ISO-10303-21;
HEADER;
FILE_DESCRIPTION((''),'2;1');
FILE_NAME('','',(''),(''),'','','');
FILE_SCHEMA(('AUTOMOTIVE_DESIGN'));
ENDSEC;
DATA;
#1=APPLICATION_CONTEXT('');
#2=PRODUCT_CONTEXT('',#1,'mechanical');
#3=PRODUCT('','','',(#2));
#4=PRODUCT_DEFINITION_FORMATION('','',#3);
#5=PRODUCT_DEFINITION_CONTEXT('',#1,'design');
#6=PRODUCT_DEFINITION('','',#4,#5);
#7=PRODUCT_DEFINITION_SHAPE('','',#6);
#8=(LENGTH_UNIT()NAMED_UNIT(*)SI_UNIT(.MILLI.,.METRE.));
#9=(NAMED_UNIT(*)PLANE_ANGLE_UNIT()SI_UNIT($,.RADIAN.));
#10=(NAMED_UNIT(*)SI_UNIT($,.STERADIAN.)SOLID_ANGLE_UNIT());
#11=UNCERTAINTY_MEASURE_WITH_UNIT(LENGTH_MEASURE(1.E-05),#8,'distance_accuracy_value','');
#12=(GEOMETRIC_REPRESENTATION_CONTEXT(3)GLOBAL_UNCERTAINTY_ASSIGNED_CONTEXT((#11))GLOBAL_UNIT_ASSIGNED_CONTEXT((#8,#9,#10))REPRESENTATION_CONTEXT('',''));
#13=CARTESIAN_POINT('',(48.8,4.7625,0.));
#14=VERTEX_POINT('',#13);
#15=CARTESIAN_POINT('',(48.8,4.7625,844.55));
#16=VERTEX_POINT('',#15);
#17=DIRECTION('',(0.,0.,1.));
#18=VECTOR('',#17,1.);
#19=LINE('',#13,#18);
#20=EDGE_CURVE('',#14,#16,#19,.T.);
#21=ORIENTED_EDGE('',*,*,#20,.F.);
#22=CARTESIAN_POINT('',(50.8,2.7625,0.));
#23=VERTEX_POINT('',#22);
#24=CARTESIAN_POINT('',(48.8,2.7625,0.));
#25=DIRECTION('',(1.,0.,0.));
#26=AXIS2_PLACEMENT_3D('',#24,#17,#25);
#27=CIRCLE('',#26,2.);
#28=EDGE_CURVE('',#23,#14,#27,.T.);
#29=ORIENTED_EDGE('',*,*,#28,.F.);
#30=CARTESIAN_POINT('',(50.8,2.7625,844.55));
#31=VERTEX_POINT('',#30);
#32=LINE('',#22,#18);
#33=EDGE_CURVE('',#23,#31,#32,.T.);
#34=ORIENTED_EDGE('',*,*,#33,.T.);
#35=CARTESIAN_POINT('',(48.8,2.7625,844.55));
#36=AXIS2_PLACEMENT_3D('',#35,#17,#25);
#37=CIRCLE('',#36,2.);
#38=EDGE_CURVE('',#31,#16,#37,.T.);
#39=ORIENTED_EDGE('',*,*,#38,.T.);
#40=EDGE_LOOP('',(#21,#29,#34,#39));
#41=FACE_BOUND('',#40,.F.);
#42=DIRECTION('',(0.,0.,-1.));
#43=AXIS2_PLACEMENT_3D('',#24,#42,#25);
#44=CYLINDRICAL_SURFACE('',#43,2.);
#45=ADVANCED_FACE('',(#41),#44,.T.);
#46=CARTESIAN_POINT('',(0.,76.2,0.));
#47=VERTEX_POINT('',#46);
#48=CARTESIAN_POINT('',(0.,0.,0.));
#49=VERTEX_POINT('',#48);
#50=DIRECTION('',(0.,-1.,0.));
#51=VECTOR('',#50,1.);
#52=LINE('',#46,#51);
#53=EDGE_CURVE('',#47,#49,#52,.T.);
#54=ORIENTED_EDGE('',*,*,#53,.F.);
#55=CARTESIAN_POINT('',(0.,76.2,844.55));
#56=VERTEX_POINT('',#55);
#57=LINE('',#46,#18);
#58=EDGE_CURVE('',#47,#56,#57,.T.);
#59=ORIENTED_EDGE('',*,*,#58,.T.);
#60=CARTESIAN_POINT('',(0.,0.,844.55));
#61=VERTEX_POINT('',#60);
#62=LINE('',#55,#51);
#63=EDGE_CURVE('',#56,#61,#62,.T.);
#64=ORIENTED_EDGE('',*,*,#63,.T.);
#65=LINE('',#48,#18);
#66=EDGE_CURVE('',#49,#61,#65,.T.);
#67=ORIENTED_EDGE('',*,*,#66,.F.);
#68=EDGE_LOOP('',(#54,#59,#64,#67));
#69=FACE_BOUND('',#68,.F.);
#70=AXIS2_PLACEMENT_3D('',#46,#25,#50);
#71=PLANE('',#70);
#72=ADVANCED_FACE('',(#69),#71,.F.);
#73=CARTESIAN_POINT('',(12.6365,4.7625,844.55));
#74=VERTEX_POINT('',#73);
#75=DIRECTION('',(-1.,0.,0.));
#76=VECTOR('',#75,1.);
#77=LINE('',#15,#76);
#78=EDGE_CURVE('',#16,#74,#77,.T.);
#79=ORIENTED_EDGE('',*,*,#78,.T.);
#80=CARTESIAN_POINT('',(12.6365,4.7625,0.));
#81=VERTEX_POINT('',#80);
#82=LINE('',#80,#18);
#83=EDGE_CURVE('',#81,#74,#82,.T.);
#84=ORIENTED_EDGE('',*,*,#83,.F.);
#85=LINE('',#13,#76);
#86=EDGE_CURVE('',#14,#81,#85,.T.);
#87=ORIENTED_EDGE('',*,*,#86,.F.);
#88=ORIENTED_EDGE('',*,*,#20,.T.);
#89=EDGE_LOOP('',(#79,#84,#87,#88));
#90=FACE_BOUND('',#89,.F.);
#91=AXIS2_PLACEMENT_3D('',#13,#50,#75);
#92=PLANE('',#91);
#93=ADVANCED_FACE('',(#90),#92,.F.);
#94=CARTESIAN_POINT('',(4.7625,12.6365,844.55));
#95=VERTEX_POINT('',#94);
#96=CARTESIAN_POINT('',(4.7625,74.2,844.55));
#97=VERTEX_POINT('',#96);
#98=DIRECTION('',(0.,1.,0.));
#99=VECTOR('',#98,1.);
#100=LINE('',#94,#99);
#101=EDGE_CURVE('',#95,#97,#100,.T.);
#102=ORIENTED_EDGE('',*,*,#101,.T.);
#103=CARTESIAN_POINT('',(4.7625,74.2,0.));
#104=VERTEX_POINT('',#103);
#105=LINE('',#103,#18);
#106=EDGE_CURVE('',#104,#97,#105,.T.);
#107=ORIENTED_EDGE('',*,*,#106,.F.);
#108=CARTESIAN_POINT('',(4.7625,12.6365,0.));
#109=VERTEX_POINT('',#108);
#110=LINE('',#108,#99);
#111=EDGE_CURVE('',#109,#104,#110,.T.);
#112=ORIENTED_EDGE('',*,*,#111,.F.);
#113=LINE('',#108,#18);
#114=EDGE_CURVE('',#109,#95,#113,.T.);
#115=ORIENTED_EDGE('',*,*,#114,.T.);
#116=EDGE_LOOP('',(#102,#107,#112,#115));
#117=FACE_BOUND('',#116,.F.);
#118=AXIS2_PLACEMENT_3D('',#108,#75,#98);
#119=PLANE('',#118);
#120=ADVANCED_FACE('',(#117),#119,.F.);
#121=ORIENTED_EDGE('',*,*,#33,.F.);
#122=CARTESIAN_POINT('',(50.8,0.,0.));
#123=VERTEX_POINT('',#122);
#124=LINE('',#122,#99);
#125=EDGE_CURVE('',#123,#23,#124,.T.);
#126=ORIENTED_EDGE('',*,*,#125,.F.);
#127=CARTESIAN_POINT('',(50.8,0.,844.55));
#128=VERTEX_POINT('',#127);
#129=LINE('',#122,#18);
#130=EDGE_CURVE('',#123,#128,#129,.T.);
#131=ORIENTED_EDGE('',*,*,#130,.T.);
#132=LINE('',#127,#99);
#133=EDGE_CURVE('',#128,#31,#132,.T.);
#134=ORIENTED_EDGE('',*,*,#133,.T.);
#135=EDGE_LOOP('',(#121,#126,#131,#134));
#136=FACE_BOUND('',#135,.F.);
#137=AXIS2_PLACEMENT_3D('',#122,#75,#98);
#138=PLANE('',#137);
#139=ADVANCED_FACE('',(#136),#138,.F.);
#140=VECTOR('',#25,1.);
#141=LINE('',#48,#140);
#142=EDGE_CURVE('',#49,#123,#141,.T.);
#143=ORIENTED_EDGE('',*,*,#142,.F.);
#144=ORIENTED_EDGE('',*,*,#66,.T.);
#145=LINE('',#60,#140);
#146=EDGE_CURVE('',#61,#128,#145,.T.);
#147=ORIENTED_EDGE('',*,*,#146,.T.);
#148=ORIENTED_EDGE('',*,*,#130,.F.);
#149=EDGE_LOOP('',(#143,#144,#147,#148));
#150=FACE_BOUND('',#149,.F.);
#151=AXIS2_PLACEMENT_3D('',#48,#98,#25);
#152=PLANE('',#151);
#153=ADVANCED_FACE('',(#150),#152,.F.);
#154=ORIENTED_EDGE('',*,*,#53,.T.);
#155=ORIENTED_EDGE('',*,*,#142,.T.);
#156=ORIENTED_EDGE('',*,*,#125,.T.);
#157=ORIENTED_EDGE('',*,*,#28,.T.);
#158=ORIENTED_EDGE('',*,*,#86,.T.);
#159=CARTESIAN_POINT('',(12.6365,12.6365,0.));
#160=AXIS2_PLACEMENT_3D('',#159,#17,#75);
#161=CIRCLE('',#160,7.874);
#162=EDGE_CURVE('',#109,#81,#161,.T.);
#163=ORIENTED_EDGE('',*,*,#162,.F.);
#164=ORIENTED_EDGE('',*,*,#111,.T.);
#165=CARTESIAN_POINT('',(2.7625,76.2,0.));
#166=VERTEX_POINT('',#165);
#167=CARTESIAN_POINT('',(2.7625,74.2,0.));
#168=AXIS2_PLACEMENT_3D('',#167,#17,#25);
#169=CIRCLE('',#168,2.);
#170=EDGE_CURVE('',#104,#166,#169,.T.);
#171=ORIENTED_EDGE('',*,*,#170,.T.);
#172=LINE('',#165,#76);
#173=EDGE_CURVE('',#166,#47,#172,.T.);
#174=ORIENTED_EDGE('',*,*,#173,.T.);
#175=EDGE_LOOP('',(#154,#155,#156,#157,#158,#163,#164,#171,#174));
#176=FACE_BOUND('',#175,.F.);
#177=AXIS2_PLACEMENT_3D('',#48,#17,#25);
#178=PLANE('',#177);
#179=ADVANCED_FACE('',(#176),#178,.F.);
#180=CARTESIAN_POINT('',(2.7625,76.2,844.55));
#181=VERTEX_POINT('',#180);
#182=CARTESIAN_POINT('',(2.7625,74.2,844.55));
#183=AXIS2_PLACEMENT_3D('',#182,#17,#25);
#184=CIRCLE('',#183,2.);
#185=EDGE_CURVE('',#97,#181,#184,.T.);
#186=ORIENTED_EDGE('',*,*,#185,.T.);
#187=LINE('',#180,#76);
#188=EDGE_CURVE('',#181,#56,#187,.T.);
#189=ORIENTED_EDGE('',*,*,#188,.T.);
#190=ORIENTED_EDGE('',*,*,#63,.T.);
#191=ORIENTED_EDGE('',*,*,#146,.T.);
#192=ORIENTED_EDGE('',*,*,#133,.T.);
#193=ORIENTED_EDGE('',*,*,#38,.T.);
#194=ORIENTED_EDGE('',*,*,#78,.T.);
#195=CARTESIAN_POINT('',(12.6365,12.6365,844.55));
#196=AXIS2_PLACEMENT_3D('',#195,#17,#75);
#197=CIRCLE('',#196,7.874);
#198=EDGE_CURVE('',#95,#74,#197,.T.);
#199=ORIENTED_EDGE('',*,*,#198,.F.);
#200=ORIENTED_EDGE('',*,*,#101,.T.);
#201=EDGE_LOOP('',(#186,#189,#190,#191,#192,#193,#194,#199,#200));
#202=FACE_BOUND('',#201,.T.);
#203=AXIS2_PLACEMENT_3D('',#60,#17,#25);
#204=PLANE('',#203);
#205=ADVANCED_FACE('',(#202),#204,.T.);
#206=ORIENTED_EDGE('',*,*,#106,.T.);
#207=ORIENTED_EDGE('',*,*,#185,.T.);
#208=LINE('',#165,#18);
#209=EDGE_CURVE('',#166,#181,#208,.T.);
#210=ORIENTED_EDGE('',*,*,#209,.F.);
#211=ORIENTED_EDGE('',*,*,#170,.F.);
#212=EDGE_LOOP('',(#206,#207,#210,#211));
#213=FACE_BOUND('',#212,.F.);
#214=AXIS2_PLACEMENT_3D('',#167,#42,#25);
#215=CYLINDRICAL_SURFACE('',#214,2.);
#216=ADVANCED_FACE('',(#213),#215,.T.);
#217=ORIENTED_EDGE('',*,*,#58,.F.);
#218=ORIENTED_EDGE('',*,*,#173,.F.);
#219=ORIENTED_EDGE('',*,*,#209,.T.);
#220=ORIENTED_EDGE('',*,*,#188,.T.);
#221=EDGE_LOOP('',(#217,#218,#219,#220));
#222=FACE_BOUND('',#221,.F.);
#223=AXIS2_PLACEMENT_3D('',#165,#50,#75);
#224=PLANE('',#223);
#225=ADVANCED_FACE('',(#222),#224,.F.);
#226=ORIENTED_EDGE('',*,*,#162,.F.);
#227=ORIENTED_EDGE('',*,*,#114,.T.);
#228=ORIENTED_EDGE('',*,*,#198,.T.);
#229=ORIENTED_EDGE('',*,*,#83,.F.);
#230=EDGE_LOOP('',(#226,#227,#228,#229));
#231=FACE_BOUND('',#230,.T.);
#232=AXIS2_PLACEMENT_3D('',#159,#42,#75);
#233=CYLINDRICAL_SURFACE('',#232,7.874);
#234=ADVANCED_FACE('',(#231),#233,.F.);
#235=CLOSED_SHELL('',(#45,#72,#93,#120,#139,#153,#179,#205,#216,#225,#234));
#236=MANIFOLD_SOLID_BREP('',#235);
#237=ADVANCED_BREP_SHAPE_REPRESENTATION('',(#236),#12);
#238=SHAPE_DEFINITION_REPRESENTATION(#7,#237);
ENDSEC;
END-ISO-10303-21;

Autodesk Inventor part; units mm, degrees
ref_plane "YZ Plane" through (0, 0, 0) normal (1, 0, 0) x (0, 1, 0)
ref_plane "Start plane" through (0, 0, 0) normal (0, 0, 1) x (1, 0, 0)
ref_plane "End plane" through (0, 0, 844.55) normal (0, 0, 1) x (1, 0, 0)
sketch "Sketch" plane through (0, 0, 0) normal (0, 0, 1) x (1, 0, 0)
  line L0 (0, 76.2) -> (0, 0)
  line L1 (0, 0) -> (50.8, 0)
  line L2 (50.8, 0) -> (50.8, 2.7625)
  line L3 (48.8, 4.7625) -> (12.6365, 4.7625)
  line L4 (4.7625, 12.6365) -> (4.7625, 74.2)
  line L5 (2.7625, 76.2) -> (0, 76.2)
  line L6 (-7.0414, 0) -> (21.5385, 0) construction
  line L7 (0, -8.0414) -> (0, 34.5385) construction
  arc A0 (4.7625, 12.6365) -> (12.6365, 4.7625) centre (12.6365, 12.6365) ccw
  arc A1 (50.8, 2.7625) -> (48.8, 4.7625) centre (48.8, 2.7625) ccw
  arc A2 (4.7625, 74.2) -> (2.7625, 76.2) centre (2.7625, 74.2) ccw
  line L8 (0, 93.5453) -> (0, -24.9725) construction
  line L9 (-18.6925, 0) -> (62.8653, 0) construction
  point P0 (50.8, 4.7625)
  point P1 (4.7625, 4.7625)
  point P2 (4.7625, 76.2)
  dimension "d12" = 4.7625
  dimension "d13" = 76.2
  dimension "d14" = 50.8
  dimension "d15" = 0
  dimension "d16" = 4.7625
  dimension "d17" = 0
  dimension "d18" = 7.874
  dimension "d19" = 2
extrude "Body" add sketch "Sketch" along normal up to surface (844.55 mm away) from surface at 0
sketch "Sketch3" plane through (0, 0, 0) normal (0, 0, 1) x (1, 0, 0)
  line L0 (0, 0) -> (10, 0)
ref_plane "Work Plane3" through (0, 0, 0) normal (0, -1, 0) x (1, 0, 0)
sketch "Sketch4" plane through (0, 0, 0) normal (0, -1, 0) x (1, 0, 0)
  line L0 (-2, 0) -> (12, 0)
  line L1 (-2, 844.55) -> (12, 844.55)
  dimension "d23" = 844.55
equation "\"d12\" = G_T"
equation "\"d13\" = G_H"
equation "\"d14\" = G_W"
equation "\"d16\" = G_T"
equation "\"d18\" = G_IR"
equation "\"d4\" = G_L"
equation "\"G_W\" = 50.8"
equation "\"G_H\" = 76.2"
equation "\"G_T\" = 4.7625"
equation "\"G_ER\" = 4.064"
equation "\"G_IR\" = 7.874"
equation "\"G_L\" = d23"
equation "\"ex\" = 0"
equation "\"ey\" = 0"
equation "\"G_OFFSET_START\" = 0"
equation "\"G_OFFSET_END\" = 0"
equation "\"d21\" = G_OFFSET_END + B_L"
equation "\"B_L\" = 844.55"
properties part number "ANSI L 3 x 2 x 3_16 00000004"
